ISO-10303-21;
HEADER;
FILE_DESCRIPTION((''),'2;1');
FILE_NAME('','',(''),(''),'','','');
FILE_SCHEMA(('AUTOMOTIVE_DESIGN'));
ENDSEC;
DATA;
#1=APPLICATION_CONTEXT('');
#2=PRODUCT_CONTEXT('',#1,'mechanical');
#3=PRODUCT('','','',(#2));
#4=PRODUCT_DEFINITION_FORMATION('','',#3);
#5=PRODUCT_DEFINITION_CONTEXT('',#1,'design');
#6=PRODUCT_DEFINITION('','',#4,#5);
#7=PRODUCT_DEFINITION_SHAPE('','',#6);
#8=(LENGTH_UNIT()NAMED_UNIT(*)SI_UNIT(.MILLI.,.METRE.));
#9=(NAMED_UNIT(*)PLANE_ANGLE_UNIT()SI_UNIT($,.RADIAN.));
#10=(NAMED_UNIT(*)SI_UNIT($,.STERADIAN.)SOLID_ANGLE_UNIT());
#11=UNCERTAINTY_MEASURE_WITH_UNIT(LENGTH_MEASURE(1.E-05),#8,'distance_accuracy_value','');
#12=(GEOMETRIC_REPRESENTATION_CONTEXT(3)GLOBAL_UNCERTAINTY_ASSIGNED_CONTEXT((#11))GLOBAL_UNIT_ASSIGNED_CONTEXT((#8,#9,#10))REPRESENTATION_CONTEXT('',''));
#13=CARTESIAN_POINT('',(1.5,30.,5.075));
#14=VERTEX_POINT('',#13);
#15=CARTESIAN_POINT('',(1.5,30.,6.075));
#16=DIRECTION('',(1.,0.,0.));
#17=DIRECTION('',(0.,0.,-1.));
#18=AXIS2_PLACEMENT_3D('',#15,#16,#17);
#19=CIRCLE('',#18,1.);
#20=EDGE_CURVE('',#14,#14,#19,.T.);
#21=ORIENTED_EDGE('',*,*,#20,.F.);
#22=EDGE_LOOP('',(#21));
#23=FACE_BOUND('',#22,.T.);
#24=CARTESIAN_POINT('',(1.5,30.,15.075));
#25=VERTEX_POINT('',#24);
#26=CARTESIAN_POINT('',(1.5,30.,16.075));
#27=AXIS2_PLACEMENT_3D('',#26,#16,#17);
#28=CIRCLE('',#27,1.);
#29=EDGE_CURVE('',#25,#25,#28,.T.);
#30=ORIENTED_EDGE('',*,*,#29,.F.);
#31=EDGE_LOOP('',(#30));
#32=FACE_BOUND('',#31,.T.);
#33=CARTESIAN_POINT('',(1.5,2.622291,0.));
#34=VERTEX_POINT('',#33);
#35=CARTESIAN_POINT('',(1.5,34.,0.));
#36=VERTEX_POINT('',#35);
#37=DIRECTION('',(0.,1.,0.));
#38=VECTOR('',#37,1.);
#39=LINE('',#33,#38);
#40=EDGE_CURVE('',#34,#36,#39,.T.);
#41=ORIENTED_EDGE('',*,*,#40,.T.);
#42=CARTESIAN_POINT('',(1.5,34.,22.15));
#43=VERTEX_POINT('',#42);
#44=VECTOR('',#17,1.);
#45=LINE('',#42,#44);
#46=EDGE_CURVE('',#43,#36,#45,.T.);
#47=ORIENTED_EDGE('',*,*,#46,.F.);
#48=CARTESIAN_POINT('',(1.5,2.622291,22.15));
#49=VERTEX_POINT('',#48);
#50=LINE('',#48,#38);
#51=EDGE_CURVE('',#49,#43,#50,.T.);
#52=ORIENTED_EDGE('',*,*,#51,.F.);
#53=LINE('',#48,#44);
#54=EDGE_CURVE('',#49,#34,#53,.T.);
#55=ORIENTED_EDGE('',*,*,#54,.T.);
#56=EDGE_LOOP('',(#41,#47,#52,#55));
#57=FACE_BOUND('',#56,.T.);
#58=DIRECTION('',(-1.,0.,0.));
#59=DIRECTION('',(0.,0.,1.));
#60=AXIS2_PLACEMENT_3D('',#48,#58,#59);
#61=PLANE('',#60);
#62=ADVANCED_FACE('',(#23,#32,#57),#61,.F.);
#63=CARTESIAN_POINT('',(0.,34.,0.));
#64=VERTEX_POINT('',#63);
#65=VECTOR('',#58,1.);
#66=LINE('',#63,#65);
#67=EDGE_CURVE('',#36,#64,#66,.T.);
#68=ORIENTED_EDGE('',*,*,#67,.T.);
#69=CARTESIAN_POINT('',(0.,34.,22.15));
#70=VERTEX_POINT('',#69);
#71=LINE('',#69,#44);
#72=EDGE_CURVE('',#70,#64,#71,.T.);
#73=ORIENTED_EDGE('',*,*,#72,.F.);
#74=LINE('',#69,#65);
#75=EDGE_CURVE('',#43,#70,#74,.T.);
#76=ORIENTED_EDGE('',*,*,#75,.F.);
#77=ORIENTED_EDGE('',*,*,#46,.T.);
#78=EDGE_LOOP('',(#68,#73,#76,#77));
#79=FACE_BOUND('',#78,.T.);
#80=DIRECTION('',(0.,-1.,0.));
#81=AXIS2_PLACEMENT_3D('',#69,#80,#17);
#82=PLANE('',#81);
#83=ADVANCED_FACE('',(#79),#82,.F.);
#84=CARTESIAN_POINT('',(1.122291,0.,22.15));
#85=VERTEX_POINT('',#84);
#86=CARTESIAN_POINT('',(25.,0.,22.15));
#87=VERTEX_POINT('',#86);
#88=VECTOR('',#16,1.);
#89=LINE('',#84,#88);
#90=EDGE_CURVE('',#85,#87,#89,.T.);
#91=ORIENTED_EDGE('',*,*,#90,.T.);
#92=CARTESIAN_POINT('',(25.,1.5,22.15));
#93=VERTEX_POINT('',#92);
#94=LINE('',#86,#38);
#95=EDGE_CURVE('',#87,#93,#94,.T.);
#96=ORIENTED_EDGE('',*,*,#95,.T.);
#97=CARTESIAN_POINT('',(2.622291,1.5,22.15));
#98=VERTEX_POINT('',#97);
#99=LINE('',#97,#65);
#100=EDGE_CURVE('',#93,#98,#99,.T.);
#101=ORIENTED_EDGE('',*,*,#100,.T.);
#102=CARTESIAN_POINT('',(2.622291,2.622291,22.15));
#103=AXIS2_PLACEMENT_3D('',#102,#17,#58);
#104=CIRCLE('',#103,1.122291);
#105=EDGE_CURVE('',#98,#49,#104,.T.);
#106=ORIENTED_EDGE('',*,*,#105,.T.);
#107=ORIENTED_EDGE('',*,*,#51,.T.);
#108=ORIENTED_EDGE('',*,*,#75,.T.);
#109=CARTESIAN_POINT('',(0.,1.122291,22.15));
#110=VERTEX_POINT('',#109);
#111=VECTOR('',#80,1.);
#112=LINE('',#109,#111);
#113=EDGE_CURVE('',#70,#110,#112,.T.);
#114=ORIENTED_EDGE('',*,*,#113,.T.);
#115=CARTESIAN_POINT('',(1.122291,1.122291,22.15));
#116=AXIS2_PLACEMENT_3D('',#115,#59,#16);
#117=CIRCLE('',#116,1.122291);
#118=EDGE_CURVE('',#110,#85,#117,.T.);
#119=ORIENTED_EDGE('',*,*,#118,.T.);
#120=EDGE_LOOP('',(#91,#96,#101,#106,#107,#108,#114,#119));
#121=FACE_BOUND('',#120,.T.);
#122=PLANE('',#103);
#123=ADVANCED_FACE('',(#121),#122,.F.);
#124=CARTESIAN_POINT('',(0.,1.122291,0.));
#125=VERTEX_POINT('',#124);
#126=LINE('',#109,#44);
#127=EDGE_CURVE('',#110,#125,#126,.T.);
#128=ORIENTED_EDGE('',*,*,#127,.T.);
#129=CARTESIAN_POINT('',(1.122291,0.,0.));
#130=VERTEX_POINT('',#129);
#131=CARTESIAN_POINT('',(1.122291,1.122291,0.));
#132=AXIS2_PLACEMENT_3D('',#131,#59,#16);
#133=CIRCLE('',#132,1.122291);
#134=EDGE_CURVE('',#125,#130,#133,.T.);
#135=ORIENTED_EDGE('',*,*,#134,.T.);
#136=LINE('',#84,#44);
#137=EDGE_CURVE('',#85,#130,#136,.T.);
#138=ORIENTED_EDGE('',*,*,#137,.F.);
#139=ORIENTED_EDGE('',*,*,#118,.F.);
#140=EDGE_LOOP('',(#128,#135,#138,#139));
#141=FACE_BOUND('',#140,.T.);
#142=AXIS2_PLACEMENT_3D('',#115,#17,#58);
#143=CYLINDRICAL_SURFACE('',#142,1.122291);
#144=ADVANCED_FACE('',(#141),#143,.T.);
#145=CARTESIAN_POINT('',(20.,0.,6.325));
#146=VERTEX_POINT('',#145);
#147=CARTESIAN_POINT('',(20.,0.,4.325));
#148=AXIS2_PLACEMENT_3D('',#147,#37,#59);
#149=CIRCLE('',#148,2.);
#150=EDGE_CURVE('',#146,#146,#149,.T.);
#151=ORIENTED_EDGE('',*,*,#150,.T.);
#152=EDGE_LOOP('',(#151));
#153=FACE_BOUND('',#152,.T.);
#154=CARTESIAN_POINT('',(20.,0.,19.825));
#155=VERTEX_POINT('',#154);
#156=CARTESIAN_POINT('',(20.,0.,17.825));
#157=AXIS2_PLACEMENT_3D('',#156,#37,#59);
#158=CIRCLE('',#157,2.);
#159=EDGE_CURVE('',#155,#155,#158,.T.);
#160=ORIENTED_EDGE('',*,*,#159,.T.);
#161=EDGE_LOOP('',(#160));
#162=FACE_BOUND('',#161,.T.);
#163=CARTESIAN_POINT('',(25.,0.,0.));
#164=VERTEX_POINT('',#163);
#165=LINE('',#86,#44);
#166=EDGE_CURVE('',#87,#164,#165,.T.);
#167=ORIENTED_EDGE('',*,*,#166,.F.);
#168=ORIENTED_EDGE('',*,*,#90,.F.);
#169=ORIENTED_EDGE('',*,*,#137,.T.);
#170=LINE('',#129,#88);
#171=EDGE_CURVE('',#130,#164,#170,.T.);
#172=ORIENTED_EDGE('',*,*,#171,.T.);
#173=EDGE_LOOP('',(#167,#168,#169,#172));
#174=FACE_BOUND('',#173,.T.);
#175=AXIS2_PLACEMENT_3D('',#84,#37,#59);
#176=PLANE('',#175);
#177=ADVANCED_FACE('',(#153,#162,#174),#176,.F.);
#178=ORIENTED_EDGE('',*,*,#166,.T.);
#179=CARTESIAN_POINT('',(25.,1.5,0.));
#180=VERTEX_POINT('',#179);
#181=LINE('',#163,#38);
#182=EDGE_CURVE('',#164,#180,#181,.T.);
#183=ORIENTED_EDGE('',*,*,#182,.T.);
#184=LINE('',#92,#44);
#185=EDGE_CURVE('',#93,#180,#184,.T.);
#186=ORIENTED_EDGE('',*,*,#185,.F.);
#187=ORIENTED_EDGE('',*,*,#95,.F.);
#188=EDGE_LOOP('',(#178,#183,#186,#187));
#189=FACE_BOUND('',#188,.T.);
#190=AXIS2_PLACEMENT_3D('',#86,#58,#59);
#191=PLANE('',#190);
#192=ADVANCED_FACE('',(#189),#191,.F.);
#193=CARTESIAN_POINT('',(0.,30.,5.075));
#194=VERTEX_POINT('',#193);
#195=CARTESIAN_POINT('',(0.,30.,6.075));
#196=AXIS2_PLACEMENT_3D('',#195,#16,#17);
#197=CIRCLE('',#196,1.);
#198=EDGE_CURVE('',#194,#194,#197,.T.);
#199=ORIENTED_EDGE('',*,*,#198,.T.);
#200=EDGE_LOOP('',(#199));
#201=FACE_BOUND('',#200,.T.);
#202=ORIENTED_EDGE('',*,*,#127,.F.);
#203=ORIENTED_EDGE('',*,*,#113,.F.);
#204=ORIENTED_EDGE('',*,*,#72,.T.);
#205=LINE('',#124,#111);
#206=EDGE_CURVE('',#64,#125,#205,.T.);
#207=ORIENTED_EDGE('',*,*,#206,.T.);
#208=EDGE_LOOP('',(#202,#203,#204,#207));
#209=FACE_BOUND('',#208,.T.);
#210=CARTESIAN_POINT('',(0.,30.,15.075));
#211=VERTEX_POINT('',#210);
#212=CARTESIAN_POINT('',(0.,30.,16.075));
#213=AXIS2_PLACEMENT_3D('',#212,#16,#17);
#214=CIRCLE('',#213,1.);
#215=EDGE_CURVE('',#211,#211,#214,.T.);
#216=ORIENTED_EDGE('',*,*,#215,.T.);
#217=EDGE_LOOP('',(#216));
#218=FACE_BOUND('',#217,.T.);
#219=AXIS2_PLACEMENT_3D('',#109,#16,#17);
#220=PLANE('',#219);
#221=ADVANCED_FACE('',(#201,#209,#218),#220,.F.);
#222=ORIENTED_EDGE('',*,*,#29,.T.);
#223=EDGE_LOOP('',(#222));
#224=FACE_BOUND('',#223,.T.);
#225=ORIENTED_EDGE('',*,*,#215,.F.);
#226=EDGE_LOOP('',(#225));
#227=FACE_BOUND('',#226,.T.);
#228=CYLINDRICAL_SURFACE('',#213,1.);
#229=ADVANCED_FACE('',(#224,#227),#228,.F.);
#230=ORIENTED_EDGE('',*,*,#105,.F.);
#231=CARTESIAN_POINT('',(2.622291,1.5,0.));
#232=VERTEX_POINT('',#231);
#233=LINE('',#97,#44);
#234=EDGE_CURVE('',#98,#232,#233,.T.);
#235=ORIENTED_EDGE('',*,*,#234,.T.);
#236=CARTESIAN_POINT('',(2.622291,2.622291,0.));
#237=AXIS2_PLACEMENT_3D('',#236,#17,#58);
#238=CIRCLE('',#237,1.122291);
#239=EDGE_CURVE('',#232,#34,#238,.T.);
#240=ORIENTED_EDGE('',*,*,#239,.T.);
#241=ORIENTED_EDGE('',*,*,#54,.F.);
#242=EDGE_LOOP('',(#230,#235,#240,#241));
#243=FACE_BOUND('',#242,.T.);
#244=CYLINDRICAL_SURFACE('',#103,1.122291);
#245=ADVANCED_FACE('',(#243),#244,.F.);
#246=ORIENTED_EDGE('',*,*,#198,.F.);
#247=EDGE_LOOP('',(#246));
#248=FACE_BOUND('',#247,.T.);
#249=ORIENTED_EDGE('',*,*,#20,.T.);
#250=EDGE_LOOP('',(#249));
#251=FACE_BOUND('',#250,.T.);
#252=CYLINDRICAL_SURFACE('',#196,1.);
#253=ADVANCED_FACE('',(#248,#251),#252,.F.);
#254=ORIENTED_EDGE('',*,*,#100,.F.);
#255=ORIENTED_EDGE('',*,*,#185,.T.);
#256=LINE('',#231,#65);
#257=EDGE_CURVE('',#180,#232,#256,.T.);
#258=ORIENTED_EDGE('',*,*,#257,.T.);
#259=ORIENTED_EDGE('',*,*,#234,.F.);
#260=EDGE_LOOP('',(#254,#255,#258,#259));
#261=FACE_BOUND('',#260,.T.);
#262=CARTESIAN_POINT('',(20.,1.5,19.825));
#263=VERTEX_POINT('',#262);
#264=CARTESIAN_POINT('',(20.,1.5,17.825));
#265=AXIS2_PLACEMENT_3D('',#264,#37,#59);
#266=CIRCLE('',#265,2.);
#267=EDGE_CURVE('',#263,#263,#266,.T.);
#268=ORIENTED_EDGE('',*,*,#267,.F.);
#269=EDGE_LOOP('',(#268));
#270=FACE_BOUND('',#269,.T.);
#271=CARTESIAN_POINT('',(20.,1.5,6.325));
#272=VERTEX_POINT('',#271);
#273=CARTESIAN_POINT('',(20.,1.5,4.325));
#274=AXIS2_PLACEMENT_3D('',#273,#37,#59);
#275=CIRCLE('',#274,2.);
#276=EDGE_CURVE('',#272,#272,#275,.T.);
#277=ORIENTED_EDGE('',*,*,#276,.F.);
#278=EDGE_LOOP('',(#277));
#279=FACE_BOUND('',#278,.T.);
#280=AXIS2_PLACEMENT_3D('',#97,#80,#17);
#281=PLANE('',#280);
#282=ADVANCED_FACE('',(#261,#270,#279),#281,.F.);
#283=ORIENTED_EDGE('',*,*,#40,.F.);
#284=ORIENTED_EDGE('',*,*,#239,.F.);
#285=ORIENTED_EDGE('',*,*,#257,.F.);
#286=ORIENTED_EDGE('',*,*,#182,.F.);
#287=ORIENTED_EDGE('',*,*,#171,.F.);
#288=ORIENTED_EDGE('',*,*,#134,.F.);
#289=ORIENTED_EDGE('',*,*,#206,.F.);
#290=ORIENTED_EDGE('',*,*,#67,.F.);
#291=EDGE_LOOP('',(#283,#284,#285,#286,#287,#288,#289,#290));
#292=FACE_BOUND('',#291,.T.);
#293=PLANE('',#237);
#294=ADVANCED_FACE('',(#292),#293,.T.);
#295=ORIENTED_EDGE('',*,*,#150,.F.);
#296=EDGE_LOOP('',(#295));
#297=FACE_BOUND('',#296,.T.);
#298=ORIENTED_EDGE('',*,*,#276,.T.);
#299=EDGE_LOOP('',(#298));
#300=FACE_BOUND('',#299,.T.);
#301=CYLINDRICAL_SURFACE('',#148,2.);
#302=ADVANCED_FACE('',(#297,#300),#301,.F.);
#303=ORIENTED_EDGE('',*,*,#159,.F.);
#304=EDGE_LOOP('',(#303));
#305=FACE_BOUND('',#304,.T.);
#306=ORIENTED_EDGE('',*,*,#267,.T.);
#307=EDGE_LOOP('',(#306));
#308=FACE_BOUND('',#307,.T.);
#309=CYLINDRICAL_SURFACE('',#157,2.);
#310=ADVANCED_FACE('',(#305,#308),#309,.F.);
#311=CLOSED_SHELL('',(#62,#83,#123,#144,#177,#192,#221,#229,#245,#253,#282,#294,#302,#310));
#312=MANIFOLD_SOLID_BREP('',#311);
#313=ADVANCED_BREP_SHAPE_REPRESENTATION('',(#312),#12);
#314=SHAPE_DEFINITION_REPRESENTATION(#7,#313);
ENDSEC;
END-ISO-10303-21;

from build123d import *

# Parameters (mm, degrees)
BOSS_EXTRU_1_DEPTH      = 22.15
ESQUISSE2_R             = 2
ENL_V_MAT_EXTRU_1_DEPTH = 2.5
ESQUISSE3_R             = 1
ENL_V_MAT_EXTRU_2_DEPTH = 2.5


with BuildPart() as part:
    # Esquisse1 → Boss.-Extru.1 (new body)
    with BuildSketch(Plane.XY):
        with BuildLine():
            Line((0, 1.122291019), (0, 34))
            Line((0, 34), (1.5, 34))
            Line((1.5, 34), (1.5, 2.622291019))
            ThreePointArc((1.5, 2.622291019), (1.828711429, 1.828711429), (2.622291019, 1.5))
            Line((2.622291019, 1.5), (25, 1.5))
            Line((25, 1.5), (25, 0))
            Line((25, 0), (1.122291019, 0))
            ThreePointArc((1.122291019, 0), (0.328711429, 0.328711429), (0, 1.122291019))
        make_face()
    extrude(amount=BOSS_EXTRU_1_DEPTH)

    # Esquisse2 → Enlèv. mat.-Extru.1 (cut, through all)
    with BuildSketch(Plane(origin=(0, 1.5, 0), x_dir=(1, 0, 0), z_dir=(0, 1, 0))):
        with Locations((20, -4.325)):
            Circle(ESQUISSE2_R)
        with Locations((20, -17.825)):
            Circle(ESQUISSE2_R)
    extrude(amount=-ENL_V_MAT_EXTRU_1_DEPTH, mode=Mode.SUBTRACT)

    # Esquisse3 → Enlèv. mat.-Extru.2 (cut, through all)
    with BuildSketch(Plane(origin=(1.5, 0, 0), x_dir=(0, 0, -1), z_dir=(1, 0, 0))):
        with Locations((-16.075, 30)):
            Circle(ESQUISSE3_R)
        with Locations((-6.075, 30)):
            Circle(ESQUISSE3_R)
    extrude(amount=-ENL_V_MAT_EXTRU_2_DEPTH, mode=Mode.SUBTRACT)


solid = part.part
